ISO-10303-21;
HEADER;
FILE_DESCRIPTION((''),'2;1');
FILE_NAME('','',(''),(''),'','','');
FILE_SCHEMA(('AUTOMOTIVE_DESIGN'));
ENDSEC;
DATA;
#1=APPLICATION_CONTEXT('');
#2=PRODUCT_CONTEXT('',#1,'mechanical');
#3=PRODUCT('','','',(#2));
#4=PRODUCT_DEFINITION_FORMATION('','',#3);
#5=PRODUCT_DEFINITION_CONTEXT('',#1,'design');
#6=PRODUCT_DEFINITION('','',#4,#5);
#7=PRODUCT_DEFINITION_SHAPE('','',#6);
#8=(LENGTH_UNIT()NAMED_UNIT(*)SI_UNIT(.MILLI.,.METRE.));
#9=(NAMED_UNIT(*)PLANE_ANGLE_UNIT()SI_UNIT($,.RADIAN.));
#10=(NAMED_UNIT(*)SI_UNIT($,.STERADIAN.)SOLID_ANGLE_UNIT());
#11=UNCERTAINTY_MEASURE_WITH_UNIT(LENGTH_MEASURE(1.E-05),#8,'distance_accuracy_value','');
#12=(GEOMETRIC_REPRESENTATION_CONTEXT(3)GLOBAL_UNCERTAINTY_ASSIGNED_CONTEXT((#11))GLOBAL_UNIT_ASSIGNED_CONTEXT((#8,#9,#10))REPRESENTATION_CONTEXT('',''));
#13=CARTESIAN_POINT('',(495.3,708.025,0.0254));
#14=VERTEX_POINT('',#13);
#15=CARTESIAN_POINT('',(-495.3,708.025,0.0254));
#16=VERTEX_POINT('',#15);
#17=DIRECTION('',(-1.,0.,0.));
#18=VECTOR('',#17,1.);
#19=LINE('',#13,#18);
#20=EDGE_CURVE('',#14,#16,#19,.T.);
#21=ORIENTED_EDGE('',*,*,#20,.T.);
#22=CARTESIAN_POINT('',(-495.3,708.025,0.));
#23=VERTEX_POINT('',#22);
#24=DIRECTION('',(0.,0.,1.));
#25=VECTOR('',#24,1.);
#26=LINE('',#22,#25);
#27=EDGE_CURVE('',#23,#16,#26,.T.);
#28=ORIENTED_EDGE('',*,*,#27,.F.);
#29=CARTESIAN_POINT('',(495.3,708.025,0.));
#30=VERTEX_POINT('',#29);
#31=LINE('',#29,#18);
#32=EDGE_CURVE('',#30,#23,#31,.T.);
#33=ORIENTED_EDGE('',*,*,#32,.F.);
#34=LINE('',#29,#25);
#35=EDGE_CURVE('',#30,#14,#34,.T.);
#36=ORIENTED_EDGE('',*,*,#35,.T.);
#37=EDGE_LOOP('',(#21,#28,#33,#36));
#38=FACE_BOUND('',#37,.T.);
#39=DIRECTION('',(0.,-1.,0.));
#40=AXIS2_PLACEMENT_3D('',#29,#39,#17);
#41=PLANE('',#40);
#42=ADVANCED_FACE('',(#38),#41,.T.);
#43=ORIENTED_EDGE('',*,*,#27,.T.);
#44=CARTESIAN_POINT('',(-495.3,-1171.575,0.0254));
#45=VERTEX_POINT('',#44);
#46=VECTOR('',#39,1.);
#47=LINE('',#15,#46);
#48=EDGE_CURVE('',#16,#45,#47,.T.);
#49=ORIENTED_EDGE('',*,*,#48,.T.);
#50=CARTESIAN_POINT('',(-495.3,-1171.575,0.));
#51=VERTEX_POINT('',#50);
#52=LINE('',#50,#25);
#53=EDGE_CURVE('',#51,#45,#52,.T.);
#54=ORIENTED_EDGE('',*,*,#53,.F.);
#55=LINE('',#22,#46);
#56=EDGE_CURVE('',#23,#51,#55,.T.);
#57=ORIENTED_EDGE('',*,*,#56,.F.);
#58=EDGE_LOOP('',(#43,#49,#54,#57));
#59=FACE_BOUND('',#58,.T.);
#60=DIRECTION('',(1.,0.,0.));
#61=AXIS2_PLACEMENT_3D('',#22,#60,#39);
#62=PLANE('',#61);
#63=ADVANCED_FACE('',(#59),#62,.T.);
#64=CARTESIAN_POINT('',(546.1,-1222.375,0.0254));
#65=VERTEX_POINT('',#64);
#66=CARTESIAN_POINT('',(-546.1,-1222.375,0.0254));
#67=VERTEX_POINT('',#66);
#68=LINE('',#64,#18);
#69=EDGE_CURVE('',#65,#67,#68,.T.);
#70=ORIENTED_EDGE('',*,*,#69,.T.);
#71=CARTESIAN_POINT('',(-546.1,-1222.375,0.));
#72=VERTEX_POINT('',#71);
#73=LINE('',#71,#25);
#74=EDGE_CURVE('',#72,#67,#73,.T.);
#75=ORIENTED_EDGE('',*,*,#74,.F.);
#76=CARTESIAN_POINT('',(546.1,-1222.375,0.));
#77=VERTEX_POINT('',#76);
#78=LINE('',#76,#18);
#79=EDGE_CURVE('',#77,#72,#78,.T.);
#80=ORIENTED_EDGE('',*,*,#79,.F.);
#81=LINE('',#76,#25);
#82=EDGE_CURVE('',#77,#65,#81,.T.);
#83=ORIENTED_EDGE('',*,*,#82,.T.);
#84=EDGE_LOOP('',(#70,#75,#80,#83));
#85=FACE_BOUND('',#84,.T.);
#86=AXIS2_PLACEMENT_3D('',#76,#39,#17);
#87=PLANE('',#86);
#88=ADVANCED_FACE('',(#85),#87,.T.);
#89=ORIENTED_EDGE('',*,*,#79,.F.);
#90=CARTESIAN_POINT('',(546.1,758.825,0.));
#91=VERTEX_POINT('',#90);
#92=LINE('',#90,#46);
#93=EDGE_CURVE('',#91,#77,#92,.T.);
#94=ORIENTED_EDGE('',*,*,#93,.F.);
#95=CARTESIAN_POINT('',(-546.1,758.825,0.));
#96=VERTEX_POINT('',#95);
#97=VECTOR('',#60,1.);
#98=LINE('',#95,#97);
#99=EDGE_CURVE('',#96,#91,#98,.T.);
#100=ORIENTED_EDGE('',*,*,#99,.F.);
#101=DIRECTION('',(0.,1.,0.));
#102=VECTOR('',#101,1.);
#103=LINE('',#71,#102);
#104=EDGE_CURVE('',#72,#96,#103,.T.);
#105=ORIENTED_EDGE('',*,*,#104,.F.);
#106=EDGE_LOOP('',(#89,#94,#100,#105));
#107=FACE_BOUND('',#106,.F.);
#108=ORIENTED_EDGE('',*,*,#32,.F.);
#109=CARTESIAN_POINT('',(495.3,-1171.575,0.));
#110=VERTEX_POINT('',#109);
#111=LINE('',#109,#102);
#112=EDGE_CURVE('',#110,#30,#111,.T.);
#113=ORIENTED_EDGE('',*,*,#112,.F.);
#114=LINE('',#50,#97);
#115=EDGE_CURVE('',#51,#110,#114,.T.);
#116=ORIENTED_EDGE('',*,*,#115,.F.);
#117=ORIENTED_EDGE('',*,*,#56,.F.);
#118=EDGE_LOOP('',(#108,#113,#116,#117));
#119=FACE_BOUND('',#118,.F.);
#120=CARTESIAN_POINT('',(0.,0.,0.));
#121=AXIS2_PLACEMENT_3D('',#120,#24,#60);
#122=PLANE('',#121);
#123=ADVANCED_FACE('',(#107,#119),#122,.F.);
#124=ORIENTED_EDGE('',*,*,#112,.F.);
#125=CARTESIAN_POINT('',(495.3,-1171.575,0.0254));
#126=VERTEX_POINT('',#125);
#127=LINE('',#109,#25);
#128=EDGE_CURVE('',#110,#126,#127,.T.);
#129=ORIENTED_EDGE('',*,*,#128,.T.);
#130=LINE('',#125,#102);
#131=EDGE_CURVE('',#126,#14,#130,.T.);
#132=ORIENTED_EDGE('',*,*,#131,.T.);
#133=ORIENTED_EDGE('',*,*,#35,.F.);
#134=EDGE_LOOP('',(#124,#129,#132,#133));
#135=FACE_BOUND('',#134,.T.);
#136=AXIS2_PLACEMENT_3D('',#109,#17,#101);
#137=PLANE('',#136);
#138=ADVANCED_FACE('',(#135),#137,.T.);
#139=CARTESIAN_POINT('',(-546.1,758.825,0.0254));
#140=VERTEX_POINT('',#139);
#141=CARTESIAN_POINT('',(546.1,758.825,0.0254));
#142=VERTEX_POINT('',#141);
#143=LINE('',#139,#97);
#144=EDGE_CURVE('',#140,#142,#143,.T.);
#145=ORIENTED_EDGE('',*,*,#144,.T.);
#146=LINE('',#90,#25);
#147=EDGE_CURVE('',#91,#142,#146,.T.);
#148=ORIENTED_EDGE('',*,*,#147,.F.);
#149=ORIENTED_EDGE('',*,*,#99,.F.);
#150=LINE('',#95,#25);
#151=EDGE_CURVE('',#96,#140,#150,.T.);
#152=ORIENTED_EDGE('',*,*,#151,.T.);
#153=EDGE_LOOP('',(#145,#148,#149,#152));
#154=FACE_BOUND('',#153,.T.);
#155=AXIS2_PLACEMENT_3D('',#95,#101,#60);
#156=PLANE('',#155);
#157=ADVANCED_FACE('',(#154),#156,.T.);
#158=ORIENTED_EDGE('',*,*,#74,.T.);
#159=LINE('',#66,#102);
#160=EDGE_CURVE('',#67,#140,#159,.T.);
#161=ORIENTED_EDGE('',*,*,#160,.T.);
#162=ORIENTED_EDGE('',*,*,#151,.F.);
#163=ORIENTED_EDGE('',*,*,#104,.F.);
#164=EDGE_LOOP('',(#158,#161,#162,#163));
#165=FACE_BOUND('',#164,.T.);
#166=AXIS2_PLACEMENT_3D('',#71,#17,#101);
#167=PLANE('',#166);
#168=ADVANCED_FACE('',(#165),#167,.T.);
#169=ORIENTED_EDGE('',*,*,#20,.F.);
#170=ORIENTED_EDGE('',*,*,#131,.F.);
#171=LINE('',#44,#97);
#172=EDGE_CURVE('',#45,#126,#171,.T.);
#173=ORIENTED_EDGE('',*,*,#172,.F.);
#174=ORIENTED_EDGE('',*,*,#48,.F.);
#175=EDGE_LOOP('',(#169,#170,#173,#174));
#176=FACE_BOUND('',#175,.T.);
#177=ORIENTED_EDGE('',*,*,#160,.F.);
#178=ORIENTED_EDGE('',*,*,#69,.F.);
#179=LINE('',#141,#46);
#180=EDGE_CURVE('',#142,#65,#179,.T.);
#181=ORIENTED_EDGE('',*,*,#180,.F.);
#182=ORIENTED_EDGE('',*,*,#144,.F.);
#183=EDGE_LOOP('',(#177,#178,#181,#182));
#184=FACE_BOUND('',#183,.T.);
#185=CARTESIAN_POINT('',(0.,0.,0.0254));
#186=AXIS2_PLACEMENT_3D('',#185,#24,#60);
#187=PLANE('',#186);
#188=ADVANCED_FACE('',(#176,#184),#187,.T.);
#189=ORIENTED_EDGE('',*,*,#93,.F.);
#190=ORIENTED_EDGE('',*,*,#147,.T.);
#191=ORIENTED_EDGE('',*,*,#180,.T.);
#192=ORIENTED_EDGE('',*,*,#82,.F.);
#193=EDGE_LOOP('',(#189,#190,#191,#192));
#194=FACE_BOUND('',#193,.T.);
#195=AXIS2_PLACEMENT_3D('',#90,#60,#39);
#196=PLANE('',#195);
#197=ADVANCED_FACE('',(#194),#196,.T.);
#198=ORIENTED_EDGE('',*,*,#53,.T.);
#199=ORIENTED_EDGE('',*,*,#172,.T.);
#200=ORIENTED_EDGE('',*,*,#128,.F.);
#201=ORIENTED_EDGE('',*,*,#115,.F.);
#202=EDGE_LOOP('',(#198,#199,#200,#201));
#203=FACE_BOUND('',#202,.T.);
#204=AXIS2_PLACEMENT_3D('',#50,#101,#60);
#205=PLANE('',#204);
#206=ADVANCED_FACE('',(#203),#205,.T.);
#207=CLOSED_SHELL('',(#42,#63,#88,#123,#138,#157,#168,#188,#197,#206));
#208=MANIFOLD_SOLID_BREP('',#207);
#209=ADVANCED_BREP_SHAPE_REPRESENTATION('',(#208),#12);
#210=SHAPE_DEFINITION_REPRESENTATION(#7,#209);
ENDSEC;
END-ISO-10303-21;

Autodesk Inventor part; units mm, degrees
ref_plane "YZ Plane" through (0, 0, 0) normal (1, 0, 0) x (0, 1, 0)
ref_plane "XZ Plane" through (0, 0, 0) normal (0, 1, 0) x (-1, 0, 0)
ref_plane "XY Plane" through (0, 0, 0) normal (0, 0, 1) x (1, 0, 0)
ref_plane "Work Plane1" through (0, 0, 0) normal (0, 0, 1) x (1, 0, 0)
sketch "Sketch1" plane through (0, 0, 0) normal (0, 0, 1) x (1, 0, 0)
  line L0 (-546.1, 758.825) -> (546.1, 758.825)
  line L1 (546.1, 758.825) -> (546.1, -1222.375)
  line L2 (546.1, -1222.375) -> (-546.1, -1222.375)
  line L3 (-546.1, -1222.375) -> (-546.1, 758.825)
  line L4 (495.3, 708.025) -> (-495.3, 708.025)
  line L5 (-495.3, 708.025) -> (-495.3, -1171.575)
  line L6 (-495.3, -1171.575) -> (495.3, -1171.575)
  line L7 (495.3, -1171.575) -> (495.3, 708.025)
  point P0 (0, 0)
extrude "Extrusion1" add sketch "Sketch1" along normal blind 0.0254
properties part number "FeederTape" material "PVC, Unplasticized"
